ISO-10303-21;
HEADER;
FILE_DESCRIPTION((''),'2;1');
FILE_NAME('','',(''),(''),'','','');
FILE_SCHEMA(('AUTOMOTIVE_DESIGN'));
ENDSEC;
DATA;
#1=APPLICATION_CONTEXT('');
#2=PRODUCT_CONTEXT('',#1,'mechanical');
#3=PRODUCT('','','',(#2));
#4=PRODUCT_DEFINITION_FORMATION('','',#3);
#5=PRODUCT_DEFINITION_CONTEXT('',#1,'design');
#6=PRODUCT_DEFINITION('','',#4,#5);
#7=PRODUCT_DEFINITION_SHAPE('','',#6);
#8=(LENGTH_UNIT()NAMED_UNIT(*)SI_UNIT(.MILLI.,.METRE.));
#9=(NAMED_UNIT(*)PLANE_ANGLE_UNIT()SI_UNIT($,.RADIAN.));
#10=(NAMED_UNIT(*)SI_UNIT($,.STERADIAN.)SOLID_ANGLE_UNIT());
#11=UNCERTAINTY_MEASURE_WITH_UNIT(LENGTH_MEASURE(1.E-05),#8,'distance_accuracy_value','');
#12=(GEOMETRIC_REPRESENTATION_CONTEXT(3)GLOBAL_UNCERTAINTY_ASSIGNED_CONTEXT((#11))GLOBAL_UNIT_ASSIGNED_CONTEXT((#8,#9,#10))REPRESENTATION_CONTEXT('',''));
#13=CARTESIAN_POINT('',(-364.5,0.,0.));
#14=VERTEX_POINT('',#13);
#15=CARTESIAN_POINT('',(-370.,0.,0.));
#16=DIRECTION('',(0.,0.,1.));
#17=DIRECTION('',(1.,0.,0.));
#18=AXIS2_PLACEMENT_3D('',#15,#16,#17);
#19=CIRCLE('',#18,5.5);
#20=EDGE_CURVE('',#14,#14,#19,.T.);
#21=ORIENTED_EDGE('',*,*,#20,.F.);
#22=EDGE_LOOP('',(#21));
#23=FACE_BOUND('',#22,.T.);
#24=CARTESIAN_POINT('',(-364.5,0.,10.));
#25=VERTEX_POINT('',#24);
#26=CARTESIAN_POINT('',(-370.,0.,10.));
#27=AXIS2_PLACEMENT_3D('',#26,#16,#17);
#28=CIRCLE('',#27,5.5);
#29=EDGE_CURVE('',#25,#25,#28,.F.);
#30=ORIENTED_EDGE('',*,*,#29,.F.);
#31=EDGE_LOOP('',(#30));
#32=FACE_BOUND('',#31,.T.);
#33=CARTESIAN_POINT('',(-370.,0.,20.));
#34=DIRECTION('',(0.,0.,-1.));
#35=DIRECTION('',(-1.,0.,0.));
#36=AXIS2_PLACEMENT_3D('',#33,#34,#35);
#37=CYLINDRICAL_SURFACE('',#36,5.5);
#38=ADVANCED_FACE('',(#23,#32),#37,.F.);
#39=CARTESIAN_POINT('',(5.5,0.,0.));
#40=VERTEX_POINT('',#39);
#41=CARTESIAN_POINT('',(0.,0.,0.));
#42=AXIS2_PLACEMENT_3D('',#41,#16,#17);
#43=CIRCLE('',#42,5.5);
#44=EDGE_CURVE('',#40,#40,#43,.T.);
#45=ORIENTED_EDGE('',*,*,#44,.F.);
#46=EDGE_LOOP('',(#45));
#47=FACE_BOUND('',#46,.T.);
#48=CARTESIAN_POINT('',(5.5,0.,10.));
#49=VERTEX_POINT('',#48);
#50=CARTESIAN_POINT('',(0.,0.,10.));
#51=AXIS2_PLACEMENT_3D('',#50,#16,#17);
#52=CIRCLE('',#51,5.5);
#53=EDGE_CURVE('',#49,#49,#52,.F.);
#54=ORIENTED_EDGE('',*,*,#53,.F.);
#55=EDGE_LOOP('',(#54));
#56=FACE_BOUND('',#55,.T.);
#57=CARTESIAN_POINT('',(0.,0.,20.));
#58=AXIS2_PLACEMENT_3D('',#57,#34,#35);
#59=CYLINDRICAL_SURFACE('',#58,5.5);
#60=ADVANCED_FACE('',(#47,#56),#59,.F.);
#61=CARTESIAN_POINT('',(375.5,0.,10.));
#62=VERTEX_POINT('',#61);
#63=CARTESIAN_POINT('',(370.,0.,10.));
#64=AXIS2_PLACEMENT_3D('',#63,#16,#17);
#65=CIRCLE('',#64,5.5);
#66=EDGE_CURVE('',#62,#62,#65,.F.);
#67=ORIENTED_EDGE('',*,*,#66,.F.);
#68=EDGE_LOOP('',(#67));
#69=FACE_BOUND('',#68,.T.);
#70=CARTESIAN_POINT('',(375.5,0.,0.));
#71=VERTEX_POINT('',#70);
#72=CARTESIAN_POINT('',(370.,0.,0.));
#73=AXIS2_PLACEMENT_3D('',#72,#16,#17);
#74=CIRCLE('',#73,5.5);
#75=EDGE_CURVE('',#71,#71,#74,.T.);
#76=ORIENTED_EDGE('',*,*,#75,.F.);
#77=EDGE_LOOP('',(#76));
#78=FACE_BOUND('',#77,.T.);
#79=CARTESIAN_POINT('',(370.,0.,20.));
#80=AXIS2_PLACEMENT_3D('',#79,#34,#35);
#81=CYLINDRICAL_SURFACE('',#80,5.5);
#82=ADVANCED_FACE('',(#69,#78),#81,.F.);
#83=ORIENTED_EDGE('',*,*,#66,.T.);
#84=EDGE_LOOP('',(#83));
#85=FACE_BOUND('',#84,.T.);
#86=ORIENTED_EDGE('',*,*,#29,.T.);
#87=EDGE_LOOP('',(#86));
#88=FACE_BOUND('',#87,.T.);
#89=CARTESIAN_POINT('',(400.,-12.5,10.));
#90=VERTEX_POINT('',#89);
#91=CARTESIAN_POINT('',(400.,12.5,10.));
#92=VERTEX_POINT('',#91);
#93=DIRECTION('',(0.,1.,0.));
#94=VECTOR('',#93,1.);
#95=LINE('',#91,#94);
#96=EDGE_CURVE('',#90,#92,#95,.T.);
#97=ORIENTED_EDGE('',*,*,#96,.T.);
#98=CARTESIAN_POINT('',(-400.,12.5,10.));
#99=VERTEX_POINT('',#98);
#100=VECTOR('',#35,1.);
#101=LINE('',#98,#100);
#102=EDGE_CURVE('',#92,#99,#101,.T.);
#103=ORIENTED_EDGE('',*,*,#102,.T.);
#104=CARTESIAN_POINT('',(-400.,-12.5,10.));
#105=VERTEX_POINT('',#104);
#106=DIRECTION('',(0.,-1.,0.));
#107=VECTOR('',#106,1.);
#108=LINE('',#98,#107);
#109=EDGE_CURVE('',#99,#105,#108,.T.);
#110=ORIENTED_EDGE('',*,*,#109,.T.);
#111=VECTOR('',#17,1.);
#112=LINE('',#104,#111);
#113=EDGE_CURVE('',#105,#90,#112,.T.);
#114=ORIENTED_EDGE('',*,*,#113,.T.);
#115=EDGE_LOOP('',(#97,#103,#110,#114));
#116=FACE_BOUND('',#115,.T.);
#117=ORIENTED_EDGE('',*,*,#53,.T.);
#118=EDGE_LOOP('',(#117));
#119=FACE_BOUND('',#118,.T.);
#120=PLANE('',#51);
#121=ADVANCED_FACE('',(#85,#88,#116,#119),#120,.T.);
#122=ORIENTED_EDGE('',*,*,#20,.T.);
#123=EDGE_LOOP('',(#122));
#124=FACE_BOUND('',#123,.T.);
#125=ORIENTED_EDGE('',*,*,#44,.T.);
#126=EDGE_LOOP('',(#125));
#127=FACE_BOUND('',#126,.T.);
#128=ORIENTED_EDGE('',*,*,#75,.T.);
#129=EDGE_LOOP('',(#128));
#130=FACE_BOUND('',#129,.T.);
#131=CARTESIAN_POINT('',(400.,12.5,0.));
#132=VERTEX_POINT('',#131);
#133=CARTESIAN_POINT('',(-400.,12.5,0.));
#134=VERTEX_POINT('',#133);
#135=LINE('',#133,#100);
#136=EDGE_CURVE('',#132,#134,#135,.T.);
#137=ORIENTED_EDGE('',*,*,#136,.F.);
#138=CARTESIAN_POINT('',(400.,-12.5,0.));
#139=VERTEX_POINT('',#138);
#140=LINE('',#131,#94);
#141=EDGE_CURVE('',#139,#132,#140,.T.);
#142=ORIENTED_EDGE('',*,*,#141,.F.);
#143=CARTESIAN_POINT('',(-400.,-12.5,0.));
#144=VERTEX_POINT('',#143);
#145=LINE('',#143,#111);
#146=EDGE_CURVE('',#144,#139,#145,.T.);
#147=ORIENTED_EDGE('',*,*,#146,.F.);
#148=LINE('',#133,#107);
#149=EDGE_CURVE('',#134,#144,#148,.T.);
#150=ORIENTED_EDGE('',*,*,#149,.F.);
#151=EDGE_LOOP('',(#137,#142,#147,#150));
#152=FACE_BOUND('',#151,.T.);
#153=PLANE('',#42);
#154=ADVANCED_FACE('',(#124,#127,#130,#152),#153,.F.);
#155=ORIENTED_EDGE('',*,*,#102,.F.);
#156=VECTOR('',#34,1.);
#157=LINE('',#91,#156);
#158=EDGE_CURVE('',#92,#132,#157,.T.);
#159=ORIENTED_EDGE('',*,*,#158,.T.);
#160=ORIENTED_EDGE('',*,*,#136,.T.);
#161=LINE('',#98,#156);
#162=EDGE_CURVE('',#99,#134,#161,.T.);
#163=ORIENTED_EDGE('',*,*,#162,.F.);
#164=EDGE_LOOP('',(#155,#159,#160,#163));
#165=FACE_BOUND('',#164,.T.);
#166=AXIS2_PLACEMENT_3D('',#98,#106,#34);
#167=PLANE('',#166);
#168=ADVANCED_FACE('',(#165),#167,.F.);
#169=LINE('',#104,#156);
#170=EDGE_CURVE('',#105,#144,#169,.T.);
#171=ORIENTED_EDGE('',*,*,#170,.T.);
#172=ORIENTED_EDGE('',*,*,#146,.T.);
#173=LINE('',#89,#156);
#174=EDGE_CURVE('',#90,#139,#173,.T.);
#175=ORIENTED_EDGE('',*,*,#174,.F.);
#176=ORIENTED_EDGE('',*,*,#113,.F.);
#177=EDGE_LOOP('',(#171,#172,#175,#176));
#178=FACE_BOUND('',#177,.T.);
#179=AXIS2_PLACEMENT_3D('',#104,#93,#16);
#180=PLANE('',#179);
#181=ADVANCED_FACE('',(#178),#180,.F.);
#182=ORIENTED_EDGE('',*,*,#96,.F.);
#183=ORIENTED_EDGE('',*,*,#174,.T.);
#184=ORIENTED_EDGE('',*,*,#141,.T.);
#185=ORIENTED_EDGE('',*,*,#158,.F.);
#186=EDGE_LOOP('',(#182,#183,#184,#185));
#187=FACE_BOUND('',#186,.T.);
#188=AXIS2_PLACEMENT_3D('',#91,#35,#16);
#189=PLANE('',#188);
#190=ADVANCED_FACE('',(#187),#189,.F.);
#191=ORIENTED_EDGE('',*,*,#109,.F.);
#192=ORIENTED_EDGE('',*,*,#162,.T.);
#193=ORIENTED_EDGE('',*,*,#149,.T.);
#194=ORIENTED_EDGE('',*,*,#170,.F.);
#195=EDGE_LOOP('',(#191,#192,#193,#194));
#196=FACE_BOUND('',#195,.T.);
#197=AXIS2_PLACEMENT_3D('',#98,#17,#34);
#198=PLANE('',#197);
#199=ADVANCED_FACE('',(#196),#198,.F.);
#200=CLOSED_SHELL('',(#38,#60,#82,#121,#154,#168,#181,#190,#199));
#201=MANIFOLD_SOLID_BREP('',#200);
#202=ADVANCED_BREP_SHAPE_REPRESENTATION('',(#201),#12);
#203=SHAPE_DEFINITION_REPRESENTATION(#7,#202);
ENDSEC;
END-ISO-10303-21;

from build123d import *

# Parameters (mm, degrees)
SKETCH1_W           = 800
SKETCH1_H           = 25
BOSS_EXTRUDE1_DEPTH = 10
SKETCH2_R           = 5.5
CUT_EXTRUDE1_DEPTH  = 20


with BuildPart() as part:
    # Sketch1 → Boss-Extrude1 (new body)
    with BuildSketch(Plane.XY):
        Rectangle(SKETCH1_W, SKETCH1_H)
    extrude(amount=BOSS_EXTRUDE1_DEPTH)

    # Sketch2 → Cut-Extrude1 (cut)
    with BuildSketch(Plane.XY):
        with Locations((370, 0)):
            Circle(SKETCH2_R)
        with Locations((-370, 0)):
            Circle(SKETCH2_R)
        Circle(SKETCH2_R)
    extrude(amount=CUT_EXTRUDE1_DEPTH, mode=Mode.SUBTRACT)


solid = part.part
